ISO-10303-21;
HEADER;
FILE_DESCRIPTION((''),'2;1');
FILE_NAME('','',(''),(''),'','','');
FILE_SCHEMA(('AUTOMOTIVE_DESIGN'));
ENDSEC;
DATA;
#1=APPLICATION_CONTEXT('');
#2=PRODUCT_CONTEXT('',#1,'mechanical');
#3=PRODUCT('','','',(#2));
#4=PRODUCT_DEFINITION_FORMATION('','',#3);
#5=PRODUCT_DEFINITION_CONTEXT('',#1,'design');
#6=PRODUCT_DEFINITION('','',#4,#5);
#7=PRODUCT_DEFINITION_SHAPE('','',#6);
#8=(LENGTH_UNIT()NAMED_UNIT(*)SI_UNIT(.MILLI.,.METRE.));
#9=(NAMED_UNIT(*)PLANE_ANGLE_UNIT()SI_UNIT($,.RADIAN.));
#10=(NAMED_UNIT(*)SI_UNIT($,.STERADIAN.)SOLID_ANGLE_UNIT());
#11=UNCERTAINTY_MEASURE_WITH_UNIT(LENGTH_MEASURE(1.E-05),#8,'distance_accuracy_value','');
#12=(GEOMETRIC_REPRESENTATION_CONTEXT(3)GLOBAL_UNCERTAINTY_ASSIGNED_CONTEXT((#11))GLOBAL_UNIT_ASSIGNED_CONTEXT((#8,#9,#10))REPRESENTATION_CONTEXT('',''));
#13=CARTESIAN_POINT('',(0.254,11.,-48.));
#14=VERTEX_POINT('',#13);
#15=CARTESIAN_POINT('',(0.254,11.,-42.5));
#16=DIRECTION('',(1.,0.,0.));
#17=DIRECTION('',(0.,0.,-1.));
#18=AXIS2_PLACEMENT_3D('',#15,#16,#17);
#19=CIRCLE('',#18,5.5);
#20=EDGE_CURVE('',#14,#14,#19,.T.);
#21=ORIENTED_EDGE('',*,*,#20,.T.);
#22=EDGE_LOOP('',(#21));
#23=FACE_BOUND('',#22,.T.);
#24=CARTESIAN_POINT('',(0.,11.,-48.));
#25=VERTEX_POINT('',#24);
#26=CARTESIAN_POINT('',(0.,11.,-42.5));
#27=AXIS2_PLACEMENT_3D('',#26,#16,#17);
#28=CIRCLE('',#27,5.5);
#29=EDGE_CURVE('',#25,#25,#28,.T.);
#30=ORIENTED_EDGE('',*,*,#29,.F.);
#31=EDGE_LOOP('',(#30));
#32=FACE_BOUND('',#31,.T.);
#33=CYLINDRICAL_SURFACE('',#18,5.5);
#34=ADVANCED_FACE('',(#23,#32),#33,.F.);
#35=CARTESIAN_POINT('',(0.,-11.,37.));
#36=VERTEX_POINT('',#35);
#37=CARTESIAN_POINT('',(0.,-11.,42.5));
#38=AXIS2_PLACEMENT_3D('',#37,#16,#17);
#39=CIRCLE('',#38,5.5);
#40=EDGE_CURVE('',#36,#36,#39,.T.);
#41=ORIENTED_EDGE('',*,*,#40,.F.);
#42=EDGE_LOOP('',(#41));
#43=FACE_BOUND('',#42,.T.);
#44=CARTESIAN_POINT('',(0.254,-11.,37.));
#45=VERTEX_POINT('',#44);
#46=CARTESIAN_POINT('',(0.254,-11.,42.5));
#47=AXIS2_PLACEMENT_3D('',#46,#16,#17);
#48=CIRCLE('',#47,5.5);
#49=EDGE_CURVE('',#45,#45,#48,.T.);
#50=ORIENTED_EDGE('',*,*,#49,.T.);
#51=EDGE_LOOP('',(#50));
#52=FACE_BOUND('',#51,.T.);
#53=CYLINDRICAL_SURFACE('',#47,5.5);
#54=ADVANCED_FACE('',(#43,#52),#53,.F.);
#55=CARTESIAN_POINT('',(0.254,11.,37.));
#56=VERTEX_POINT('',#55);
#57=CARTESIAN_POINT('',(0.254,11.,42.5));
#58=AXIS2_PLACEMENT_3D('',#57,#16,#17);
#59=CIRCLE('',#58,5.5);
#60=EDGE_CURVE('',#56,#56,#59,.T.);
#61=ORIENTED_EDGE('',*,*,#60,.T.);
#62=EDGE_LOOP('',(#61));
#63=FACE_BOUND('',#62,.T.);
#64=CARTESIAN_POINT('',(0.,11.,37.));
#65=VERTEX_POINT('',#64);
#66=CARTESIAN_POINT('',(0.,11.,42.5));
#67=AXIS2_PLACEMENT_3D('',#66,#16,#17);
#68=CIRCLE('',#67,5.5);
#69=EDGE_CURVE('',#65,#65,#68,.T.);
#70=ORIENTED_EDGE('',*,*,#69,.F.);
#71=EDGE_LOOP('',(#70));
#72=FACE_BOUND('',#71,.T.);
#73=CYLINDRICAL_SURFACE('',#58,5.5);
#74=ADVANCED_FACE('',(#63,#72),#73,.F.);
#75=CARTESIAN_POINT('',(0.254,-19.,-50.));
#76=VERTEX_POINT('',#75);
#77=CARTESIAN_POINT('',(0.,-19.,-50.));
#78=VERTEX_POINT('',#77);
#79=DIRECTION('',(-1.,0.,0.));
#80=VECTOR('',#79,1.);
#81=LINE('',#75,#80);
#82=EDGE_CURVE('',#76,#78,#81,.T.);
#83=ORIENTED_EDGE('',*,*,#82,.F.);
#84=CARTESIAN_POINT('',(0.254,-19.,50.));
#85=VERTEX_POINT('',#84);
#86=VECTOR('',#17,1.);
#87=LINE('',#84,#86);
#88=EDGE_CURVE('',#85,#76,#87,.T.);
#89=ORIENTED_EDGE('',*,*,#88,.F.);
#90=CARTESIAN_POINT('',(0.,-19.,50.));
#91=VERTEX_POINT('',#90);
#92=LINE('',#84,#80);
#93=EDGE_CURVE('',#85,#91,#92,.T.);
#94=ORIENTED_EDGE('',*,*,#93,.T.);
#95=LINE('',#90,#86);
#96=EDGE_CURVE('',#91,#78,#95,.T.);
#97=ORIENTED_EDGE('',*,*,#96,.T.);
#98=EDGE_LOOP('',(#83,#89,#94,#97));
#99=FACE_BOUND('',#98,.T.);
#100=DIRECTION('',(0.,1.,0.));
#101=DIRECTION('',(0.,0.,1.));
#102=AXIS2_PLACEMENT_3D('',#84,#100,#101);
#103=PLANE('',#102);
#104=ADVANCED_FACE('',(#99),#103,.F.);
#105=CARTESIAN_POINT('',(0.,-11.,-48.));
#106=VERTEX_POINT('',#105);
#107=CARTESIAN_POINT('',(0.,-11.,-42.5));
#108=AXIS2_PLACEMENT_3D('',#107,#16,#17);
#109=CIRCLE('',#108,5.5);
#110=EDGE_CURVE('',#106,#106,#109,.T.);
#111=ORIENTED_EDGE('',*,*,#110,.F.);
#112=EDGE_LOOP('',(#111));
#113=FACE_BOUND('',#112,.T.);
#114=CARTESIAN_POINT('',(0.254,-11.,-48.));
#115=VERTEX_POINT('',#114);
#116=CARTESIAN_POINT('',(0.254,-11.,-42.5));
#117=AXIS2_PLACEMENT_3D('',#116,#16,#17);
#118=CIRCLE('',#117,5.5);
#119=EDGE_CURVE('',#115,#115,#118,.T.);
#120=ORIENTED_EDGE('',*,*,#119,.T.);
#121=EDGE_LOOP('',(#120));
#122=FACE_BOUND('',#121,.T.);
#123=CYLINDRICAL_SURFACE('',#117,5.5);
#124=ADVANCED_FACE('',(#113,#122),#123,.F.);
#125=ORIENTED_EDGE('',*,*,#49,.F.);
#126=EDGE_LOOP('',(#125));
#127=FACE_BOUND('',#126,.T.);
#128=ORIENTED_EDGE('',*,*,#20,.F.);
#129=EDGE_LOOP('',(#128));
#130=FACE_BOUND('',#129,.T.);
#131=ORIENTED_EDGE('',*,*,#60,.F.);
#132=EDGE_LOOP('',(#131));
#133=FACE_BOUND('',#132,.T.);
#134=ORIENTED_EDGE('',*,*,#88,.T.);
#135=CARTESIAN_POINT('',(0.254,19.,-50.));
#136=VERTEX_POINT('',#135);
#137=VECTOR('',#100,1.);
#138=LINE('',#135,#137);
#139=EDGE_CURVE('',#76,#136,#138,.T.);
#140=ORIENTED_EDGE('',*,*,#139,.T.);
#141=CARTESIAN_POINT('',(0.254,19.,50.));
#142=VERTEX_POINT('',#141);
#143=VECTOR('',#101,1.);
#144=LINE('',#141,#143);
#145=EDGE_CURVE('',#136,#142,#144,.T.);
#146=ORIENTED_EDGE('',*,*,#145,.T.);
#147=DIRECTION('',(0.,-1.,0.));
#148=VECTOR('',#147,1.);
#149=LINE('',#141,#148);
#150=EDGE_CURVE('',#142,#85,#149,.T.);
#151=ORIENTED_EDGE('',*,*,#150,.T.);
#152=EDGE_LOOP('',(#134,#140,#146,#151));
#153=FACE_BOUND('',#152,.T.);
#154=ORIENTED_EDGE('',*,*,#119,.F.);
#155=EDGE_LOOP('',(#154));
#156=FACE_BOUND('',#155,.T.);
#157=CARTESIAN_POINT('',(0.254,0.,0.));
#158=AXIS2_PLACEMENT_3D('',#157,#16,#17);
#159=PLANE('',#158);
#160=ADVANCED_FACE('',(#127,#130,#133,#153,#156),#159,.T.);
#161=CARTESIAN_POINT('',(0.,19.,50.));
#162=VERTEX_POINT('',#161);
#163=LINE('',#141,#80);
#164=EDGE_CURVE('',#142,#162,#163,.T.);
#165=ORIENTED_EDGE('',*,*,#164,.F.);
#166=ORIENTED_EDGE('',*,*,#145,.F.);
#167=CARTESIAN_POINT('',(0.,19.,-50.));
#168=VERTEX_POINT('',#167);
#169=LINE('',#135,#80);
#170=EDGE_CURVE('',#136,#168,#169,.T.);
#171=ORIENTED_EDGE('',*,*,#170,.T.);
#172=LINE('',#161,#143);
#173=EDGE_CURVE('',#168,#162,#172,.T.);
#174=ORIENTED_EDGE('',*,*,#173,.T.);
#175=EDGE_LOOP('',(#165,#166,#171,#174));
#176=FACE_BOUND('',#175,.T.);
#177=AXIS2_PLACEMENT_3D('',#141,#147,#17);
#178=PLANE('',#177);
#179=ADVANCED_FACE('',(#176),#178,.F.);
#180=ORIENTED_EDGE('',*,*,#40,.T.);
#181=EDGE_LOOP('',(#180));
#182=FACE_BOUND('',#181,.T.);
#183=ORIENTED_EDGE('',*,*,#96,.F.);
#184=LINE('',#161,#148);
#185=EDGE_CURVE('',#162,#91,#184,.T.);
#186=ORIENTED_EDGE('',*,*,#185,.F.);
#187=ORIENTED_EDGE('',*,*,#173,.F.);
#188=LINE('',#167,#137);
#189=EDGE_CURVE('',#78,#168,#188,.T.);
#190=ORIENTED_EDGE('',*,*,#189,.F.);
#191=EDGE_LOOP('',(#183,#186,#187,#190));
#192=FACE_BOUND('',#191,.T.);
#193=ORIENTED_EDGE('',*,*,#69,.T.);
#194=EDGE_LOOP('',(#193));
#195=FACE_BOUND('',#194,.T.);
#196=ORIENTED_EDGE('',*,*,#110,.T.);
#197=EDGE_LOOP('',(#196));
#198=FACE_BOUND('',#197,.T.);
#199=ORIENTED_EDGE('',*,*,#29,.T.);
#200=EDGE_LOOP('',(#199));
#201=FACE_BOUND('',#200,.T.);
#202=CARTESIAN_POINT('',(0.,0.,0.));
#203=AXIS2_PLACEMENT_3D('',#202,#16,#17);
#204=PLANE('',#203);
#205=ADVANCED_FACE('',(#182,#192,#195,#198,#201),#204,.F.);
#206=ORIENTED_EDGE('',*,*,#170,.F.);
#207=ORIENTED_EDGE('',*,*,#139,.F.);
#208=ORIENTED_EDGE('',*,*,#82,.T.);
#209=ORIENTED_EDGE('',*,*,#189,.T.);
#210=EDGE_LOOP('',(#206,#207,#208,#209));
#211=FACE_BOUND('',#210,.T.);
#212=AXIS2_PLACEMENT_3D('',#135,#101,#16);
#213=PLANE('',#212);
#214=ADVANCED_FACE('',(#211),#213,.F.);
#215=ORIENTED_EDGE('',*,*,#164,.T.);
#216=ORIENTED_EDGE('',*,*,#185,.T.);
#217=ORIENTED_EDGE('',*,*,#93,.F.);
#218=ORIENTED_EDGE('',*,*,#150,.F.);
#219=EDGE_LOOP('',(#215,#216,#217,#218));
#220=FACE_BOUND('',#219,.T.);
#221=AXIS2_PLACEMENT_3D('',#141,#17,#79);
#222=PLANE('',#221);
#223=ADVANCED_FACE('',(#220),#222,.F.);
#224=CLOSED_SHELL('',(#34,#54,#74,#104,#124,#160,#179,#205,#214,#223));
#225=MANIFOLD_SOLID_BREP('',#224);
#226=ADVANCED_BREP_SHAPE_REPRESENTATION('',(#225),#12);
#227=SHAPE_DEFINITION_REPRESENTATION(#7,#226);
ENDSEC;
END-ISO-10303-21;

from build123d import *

# Parameters (mm, degrees)
SKETCH1_W             = 100
SKETCH1_H             = 38
BOSS_EXTRUDE1_DEPTH   = 0.254
M10_CLEARANCE_HOLE1_D = 11


with BuildPart() as part:
    # Sketch1 → Boss-Extrude1 (new body)
    with BuildSketch(Plane(origin=(0, 0, 0), x_dir=(0, 0, -1), z_dir=(1, 0, 0))):
        Rectangle(SKETCH1_W, SKETCH1_H)
    extrude(amount=BOSS_EXTRUDE1_DEPTH)

    # M10 Clearance Hole1 (through all)
    with Locations(Plane(origin=(0.254, 0, 0), x_dir=(0, 0, -1), z_dir=(1, 0, 0))):
        with Locations((-42.5, 11), (-42.5, -11), (42.5, 11), (42.5, -11)):
            Hole(M10_CLEARANCE_HOLE1_D / 2)


solid = part.part
